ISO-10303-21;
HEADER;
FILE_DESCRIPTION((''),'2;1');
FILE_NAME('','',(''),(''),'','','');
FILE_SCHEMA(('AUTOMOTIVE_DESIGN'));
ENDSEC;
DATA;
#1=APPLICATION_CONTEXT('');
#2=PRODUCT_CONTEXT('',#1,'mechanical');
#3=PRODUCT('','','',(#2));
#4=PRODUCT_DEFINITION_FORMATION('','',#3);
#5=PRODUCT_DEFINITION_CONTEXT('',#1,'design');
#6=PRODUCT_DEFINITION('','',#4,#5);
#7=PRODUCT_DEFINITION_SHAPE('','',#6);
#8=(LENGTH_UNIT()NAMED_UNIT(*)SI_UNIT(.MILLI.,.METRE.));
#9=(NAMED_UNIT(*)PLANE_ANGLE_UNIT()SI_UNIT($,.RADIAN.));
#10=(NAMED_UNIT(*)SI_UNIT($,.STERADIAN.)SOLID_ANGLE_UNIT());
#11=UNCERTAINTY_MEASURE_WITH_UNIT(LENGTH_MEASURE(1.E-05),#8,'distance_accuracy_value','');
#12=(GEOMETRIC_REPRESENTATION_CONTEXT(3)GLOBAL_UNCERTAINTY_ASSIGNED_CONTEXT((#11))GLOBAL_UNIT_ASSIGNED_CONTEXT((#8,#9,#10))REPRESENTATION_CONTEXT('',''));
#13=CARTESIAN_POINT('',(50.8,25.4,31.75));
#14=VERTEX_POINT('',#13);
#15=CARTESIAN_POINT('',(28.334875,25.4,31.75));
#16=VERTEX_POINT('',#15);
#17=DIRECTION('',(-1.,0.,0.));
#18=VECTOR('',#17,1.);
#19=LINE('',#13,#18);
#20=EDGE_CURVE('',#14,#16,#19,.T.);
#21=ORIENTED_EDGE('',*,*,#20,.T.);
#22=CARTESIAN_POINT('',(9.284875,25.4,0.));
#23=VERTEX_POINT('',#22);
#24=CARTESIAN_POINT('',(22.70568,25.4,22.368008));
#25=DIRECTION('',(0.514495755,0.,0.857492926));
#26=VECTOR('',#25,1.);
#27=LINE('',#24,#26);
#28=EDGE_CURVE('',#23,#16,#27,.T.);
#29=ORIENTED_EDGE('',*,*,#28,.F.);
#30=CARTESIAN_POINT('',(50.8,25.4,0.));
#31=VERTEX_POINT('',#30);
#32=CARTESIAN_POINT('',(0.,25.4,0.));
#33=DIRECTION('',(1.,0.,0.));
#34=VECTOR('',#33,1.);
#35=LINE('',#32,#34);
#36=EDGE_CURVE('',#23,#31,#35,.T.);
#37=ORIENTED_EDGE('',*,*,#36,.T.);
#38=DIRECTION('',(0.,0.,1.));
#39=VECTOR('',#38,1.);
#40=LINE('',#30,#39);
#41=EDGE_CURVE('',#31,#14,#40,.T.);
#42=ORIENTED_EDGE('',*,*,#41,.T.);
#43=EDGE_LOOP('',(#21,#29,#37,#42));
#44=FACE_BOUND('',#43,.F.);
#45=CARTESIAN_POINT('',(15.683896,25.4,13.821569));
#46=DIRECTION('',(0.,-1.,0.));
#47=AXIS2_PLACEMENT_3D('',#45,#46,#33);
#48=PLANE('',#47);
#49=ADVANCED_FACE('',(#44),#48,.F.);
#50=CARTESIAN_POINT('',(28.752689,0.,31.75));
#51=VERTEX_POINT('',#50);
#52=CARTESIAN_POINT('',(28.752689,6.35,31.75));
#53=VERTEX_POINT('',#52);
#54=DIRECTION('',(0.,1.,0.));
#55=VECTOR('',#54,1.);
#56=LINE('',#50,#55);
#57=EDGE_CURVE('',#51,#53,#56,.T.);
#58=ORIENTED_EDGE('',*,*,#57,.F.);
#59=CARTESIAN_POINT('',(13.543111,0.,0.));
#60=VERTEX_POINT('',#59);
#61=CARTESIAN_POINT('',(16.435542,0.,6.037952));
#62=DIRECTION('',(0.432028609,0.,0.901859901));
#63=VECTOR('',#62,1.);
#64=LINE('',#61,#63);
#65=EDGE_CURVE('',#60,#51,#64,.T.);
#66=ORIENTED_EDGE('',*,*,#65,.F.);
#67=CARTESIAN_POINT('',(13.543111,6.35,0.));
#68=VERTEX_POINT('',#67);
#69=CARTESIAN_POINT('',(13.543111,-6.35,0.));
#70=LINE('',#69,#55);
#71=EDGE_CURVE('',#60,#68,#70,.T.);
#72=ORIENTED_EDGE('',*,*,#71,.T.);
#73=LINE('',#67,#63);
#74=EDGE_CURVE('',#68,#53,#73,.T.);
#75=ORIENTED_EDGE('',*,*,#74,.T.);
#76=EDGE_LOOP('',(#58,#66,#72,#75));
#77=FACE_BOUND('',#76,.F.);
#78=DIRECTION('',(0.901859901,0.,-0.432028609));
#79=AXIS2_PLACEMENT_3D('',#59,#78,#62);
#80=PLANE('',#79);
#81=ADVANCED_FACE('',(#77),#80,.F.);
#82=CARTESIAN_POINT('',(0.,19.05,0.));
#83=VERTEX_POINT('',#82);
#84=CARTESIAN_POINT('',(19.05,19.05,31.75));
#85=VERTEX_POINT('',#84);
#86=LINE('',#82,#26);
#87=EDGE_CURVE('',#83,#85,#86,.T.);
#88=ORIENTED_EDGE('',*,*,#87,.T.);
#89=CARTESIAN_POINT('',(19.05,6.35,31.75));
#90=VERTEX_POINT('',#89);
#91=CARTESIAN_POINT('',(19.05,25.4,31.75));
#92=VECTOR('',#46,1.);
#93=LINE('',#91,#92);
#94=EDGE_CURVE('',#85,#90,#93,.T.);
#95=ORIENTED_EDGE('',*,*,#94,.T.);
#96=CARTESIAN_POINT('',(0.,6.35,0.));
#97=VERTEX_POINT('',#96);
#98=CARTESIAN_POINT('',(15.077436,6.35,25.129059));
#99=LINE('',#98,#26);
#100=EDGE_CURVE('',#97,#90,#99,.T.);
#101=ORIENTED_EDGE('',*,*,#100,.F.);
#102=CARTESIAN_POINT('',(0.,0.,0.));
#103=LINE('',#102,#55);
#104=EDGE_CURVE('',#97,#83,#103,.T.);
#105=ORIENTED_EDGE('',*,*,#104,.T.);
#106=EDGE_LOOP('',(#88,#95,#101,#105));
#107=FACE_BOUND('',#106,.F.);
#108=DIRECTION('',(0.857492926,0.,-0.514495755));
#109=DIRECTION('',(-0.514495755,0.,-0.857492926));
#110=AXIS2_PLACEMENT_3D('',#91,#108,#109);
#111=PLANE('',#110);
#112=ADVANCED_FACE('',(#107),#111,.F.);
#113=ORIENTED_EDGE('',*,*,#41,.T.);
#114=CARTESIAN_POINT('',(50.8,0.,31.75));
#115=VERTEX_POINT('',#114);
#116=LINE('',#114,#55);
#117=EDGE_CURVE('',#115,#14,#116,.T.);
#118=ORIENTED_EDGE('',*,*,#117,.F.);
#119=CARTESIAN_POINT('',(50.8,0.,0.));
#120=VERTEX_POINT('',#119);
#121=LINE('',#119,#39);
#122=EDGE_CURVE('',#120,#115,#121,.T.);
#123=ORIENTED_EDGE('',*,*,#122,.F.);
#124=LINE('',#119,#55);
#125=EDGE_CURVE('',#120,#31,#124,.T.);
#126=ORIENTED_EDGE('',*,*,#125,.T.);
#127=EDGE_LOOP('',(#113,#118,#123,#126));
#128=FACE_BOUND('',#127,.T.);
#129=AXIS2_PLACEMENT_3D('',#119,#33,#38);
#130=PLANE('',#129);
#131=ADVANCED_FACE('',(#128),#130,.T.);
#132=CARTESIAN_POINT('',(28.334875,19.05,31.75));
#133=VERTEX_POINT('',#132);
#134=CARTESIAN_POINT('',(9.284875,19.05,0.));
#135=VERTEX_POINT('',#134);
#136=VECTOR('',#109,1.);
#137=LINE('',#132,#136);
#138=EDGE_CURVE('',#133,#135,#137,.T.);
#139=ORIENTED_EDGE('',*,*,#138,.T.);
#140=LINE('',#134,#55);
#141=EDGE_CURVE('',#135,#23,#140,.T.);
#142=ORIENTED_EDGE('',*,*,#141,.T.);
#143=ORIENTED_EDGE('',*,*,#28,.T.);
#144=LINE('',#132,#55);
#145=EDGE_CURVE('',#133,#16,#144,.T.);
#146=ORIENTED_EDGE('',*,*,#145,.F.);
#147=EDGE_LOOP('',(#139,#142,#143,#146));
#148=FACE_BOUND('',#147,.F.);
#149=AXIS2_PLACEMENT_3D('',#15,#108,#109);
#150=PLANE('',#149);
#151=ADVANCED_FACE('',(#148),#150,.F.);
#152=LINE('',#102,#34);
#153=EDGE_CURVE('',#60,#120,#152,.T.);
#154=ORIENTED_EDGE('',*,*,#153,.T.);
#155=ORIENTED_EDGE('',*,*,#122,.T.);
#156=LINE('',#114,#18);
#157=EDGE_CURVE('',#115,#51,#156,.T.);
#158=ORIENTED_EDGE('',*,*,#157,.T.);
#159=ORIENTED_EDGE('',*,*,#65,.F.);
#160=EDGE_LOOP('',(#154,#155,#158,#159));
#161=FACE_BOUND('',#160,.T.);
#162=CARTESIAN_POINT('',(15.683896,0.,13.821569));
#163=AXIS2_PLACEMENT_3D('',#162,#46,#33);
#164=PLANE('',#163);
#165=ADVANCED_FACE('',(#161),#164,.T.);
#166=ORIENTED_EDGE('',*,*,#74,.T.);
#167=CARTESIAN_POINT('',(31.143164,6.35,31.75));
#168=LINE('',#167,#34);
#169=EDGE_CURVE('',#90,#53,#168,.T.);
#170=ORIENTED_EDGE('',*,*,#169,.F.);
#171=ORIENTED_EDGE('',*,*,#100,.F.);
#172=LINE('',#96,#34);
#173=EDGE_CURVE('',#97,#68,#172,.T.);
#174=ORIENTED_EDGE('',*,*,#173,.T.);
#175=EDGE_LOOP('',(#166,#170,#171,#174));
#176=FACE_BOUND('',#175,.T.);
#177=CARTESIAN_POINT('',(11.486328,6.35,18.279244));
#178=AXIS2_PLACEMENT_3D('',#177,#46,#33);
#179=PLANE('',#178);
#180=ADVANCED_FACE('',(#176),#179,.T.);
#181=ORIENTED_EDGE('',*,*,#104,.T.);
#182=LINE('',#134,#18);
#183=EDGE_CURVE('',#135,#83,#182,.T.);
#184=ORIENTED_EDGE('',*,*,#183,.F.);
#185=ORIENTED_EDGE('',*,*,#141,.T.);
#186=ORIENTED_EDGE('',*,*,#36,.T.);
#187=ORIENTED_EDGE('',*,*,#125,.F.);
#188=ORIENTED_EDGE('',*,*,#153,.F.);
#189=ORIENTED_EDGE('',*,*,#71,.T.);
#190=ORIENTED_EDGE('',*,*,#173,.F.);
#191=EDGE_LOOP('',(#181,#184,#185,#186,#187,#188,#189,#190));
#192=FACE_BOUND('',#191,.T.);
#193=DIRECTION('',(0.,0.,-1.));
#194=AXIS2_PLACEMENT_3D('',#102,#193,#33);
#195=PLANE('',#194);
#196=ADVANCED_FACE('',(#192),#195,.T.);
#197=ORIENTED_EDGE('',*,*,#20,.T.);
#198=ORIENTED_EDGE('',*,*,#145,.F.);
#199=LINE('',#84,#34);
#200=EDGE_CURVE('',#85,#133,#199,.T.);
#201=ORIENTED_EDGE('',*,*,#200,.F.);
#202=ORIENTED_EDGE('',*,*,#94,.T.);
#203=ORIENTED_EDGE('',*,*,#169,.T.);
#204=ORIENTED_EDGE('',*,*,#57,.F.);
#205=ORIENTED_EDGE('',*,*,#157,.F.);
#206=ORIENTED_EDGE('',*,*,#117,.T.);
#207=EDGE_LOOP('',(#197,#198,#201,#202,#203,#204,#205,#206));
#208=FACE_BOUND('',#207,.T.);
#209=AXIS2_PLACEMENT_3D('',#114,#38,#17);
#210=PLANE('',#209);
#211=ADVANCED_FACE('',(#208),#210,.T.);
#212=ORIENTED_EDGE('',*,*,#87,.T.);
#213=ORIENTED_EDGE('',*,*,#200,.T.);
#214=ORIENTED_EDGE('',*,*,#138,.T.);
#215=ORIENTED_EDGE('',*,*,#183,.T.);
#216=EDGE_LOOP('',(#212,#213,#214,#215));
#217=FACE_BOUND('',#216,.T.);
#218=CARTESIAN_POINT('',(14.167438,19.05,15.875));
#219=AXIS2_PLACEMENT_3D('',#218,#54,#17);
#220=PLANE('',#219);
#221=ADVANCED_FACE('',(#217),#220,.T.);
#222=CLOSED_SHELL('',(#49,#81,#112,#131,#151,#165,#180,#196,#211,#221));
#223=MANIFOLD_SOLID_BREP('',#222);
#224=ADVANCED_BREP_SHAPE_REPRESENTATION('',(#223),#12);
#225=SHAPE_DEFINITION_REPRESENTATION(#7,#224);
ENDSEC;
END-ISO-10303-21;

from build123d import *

# Parameters (mm, degrees)
F1_DEPTH = 25.4
F3_DEPTH = 6.35
F5_DEPTH = 25.401
F7_DEPTH = 6.35


with BuildPart() as f1:
    # F0 (on Front) → F1 (new body)
    with BuildSketch(Plane.XZ):
        Polygon((21.227144, 31.75), (0, 31.75), (0, 0), (37.555713, 0), align=None)
        Polygon((34.47143, 31.75), (21.227144, 31.75), (37.555713, 0), (50.8, 0), align=None)
        Polygon((50.8, 31.75), (34.47143, 31.75), (50.8, 0), align=None)
    extrude(amount=-F1_DEPTH)

    # F2 (on Front) → F3 (cut, symmetric)
    with BuildSketch(Plane.XZ):
        Polygon((13.543111, 0), (28.911175, 32.08084), (0, 32.08084), (0, 0), align=None)
    extrude(amount=F3_DEPTH, both=True, mode=Mode.SUBTRACT)

    # F4 (on face) → F5 (cut, through all)
    with BuildSketch(Plane(origin=(0, 25.4, 0), x_dir=(-1, 0, 0), z_dir=(0, 1, 0))):
        Polygon((0, 31.75), (-19.05, 31.75), (0, 0), align=None)
    extrude(amount=-F5_DEPTH, mode=Mode.SUBTRACT)

    # F6 (on face) → F7 (cut, symmetric)
    with BuildSketch(Plane(origin=(0, 25.4, 0), x_dir=(-1, 0, 0), z_dir=(0, 1, 0))):
        Polygon((-19.05, 31.75), (-28.334875, 31.75), (-9.284875, 0), (0, 0), align=None)
    extrude(amount=F7_DEPTH, both=True, mode=Mode.SUBTRACT)


solid = f1.part
